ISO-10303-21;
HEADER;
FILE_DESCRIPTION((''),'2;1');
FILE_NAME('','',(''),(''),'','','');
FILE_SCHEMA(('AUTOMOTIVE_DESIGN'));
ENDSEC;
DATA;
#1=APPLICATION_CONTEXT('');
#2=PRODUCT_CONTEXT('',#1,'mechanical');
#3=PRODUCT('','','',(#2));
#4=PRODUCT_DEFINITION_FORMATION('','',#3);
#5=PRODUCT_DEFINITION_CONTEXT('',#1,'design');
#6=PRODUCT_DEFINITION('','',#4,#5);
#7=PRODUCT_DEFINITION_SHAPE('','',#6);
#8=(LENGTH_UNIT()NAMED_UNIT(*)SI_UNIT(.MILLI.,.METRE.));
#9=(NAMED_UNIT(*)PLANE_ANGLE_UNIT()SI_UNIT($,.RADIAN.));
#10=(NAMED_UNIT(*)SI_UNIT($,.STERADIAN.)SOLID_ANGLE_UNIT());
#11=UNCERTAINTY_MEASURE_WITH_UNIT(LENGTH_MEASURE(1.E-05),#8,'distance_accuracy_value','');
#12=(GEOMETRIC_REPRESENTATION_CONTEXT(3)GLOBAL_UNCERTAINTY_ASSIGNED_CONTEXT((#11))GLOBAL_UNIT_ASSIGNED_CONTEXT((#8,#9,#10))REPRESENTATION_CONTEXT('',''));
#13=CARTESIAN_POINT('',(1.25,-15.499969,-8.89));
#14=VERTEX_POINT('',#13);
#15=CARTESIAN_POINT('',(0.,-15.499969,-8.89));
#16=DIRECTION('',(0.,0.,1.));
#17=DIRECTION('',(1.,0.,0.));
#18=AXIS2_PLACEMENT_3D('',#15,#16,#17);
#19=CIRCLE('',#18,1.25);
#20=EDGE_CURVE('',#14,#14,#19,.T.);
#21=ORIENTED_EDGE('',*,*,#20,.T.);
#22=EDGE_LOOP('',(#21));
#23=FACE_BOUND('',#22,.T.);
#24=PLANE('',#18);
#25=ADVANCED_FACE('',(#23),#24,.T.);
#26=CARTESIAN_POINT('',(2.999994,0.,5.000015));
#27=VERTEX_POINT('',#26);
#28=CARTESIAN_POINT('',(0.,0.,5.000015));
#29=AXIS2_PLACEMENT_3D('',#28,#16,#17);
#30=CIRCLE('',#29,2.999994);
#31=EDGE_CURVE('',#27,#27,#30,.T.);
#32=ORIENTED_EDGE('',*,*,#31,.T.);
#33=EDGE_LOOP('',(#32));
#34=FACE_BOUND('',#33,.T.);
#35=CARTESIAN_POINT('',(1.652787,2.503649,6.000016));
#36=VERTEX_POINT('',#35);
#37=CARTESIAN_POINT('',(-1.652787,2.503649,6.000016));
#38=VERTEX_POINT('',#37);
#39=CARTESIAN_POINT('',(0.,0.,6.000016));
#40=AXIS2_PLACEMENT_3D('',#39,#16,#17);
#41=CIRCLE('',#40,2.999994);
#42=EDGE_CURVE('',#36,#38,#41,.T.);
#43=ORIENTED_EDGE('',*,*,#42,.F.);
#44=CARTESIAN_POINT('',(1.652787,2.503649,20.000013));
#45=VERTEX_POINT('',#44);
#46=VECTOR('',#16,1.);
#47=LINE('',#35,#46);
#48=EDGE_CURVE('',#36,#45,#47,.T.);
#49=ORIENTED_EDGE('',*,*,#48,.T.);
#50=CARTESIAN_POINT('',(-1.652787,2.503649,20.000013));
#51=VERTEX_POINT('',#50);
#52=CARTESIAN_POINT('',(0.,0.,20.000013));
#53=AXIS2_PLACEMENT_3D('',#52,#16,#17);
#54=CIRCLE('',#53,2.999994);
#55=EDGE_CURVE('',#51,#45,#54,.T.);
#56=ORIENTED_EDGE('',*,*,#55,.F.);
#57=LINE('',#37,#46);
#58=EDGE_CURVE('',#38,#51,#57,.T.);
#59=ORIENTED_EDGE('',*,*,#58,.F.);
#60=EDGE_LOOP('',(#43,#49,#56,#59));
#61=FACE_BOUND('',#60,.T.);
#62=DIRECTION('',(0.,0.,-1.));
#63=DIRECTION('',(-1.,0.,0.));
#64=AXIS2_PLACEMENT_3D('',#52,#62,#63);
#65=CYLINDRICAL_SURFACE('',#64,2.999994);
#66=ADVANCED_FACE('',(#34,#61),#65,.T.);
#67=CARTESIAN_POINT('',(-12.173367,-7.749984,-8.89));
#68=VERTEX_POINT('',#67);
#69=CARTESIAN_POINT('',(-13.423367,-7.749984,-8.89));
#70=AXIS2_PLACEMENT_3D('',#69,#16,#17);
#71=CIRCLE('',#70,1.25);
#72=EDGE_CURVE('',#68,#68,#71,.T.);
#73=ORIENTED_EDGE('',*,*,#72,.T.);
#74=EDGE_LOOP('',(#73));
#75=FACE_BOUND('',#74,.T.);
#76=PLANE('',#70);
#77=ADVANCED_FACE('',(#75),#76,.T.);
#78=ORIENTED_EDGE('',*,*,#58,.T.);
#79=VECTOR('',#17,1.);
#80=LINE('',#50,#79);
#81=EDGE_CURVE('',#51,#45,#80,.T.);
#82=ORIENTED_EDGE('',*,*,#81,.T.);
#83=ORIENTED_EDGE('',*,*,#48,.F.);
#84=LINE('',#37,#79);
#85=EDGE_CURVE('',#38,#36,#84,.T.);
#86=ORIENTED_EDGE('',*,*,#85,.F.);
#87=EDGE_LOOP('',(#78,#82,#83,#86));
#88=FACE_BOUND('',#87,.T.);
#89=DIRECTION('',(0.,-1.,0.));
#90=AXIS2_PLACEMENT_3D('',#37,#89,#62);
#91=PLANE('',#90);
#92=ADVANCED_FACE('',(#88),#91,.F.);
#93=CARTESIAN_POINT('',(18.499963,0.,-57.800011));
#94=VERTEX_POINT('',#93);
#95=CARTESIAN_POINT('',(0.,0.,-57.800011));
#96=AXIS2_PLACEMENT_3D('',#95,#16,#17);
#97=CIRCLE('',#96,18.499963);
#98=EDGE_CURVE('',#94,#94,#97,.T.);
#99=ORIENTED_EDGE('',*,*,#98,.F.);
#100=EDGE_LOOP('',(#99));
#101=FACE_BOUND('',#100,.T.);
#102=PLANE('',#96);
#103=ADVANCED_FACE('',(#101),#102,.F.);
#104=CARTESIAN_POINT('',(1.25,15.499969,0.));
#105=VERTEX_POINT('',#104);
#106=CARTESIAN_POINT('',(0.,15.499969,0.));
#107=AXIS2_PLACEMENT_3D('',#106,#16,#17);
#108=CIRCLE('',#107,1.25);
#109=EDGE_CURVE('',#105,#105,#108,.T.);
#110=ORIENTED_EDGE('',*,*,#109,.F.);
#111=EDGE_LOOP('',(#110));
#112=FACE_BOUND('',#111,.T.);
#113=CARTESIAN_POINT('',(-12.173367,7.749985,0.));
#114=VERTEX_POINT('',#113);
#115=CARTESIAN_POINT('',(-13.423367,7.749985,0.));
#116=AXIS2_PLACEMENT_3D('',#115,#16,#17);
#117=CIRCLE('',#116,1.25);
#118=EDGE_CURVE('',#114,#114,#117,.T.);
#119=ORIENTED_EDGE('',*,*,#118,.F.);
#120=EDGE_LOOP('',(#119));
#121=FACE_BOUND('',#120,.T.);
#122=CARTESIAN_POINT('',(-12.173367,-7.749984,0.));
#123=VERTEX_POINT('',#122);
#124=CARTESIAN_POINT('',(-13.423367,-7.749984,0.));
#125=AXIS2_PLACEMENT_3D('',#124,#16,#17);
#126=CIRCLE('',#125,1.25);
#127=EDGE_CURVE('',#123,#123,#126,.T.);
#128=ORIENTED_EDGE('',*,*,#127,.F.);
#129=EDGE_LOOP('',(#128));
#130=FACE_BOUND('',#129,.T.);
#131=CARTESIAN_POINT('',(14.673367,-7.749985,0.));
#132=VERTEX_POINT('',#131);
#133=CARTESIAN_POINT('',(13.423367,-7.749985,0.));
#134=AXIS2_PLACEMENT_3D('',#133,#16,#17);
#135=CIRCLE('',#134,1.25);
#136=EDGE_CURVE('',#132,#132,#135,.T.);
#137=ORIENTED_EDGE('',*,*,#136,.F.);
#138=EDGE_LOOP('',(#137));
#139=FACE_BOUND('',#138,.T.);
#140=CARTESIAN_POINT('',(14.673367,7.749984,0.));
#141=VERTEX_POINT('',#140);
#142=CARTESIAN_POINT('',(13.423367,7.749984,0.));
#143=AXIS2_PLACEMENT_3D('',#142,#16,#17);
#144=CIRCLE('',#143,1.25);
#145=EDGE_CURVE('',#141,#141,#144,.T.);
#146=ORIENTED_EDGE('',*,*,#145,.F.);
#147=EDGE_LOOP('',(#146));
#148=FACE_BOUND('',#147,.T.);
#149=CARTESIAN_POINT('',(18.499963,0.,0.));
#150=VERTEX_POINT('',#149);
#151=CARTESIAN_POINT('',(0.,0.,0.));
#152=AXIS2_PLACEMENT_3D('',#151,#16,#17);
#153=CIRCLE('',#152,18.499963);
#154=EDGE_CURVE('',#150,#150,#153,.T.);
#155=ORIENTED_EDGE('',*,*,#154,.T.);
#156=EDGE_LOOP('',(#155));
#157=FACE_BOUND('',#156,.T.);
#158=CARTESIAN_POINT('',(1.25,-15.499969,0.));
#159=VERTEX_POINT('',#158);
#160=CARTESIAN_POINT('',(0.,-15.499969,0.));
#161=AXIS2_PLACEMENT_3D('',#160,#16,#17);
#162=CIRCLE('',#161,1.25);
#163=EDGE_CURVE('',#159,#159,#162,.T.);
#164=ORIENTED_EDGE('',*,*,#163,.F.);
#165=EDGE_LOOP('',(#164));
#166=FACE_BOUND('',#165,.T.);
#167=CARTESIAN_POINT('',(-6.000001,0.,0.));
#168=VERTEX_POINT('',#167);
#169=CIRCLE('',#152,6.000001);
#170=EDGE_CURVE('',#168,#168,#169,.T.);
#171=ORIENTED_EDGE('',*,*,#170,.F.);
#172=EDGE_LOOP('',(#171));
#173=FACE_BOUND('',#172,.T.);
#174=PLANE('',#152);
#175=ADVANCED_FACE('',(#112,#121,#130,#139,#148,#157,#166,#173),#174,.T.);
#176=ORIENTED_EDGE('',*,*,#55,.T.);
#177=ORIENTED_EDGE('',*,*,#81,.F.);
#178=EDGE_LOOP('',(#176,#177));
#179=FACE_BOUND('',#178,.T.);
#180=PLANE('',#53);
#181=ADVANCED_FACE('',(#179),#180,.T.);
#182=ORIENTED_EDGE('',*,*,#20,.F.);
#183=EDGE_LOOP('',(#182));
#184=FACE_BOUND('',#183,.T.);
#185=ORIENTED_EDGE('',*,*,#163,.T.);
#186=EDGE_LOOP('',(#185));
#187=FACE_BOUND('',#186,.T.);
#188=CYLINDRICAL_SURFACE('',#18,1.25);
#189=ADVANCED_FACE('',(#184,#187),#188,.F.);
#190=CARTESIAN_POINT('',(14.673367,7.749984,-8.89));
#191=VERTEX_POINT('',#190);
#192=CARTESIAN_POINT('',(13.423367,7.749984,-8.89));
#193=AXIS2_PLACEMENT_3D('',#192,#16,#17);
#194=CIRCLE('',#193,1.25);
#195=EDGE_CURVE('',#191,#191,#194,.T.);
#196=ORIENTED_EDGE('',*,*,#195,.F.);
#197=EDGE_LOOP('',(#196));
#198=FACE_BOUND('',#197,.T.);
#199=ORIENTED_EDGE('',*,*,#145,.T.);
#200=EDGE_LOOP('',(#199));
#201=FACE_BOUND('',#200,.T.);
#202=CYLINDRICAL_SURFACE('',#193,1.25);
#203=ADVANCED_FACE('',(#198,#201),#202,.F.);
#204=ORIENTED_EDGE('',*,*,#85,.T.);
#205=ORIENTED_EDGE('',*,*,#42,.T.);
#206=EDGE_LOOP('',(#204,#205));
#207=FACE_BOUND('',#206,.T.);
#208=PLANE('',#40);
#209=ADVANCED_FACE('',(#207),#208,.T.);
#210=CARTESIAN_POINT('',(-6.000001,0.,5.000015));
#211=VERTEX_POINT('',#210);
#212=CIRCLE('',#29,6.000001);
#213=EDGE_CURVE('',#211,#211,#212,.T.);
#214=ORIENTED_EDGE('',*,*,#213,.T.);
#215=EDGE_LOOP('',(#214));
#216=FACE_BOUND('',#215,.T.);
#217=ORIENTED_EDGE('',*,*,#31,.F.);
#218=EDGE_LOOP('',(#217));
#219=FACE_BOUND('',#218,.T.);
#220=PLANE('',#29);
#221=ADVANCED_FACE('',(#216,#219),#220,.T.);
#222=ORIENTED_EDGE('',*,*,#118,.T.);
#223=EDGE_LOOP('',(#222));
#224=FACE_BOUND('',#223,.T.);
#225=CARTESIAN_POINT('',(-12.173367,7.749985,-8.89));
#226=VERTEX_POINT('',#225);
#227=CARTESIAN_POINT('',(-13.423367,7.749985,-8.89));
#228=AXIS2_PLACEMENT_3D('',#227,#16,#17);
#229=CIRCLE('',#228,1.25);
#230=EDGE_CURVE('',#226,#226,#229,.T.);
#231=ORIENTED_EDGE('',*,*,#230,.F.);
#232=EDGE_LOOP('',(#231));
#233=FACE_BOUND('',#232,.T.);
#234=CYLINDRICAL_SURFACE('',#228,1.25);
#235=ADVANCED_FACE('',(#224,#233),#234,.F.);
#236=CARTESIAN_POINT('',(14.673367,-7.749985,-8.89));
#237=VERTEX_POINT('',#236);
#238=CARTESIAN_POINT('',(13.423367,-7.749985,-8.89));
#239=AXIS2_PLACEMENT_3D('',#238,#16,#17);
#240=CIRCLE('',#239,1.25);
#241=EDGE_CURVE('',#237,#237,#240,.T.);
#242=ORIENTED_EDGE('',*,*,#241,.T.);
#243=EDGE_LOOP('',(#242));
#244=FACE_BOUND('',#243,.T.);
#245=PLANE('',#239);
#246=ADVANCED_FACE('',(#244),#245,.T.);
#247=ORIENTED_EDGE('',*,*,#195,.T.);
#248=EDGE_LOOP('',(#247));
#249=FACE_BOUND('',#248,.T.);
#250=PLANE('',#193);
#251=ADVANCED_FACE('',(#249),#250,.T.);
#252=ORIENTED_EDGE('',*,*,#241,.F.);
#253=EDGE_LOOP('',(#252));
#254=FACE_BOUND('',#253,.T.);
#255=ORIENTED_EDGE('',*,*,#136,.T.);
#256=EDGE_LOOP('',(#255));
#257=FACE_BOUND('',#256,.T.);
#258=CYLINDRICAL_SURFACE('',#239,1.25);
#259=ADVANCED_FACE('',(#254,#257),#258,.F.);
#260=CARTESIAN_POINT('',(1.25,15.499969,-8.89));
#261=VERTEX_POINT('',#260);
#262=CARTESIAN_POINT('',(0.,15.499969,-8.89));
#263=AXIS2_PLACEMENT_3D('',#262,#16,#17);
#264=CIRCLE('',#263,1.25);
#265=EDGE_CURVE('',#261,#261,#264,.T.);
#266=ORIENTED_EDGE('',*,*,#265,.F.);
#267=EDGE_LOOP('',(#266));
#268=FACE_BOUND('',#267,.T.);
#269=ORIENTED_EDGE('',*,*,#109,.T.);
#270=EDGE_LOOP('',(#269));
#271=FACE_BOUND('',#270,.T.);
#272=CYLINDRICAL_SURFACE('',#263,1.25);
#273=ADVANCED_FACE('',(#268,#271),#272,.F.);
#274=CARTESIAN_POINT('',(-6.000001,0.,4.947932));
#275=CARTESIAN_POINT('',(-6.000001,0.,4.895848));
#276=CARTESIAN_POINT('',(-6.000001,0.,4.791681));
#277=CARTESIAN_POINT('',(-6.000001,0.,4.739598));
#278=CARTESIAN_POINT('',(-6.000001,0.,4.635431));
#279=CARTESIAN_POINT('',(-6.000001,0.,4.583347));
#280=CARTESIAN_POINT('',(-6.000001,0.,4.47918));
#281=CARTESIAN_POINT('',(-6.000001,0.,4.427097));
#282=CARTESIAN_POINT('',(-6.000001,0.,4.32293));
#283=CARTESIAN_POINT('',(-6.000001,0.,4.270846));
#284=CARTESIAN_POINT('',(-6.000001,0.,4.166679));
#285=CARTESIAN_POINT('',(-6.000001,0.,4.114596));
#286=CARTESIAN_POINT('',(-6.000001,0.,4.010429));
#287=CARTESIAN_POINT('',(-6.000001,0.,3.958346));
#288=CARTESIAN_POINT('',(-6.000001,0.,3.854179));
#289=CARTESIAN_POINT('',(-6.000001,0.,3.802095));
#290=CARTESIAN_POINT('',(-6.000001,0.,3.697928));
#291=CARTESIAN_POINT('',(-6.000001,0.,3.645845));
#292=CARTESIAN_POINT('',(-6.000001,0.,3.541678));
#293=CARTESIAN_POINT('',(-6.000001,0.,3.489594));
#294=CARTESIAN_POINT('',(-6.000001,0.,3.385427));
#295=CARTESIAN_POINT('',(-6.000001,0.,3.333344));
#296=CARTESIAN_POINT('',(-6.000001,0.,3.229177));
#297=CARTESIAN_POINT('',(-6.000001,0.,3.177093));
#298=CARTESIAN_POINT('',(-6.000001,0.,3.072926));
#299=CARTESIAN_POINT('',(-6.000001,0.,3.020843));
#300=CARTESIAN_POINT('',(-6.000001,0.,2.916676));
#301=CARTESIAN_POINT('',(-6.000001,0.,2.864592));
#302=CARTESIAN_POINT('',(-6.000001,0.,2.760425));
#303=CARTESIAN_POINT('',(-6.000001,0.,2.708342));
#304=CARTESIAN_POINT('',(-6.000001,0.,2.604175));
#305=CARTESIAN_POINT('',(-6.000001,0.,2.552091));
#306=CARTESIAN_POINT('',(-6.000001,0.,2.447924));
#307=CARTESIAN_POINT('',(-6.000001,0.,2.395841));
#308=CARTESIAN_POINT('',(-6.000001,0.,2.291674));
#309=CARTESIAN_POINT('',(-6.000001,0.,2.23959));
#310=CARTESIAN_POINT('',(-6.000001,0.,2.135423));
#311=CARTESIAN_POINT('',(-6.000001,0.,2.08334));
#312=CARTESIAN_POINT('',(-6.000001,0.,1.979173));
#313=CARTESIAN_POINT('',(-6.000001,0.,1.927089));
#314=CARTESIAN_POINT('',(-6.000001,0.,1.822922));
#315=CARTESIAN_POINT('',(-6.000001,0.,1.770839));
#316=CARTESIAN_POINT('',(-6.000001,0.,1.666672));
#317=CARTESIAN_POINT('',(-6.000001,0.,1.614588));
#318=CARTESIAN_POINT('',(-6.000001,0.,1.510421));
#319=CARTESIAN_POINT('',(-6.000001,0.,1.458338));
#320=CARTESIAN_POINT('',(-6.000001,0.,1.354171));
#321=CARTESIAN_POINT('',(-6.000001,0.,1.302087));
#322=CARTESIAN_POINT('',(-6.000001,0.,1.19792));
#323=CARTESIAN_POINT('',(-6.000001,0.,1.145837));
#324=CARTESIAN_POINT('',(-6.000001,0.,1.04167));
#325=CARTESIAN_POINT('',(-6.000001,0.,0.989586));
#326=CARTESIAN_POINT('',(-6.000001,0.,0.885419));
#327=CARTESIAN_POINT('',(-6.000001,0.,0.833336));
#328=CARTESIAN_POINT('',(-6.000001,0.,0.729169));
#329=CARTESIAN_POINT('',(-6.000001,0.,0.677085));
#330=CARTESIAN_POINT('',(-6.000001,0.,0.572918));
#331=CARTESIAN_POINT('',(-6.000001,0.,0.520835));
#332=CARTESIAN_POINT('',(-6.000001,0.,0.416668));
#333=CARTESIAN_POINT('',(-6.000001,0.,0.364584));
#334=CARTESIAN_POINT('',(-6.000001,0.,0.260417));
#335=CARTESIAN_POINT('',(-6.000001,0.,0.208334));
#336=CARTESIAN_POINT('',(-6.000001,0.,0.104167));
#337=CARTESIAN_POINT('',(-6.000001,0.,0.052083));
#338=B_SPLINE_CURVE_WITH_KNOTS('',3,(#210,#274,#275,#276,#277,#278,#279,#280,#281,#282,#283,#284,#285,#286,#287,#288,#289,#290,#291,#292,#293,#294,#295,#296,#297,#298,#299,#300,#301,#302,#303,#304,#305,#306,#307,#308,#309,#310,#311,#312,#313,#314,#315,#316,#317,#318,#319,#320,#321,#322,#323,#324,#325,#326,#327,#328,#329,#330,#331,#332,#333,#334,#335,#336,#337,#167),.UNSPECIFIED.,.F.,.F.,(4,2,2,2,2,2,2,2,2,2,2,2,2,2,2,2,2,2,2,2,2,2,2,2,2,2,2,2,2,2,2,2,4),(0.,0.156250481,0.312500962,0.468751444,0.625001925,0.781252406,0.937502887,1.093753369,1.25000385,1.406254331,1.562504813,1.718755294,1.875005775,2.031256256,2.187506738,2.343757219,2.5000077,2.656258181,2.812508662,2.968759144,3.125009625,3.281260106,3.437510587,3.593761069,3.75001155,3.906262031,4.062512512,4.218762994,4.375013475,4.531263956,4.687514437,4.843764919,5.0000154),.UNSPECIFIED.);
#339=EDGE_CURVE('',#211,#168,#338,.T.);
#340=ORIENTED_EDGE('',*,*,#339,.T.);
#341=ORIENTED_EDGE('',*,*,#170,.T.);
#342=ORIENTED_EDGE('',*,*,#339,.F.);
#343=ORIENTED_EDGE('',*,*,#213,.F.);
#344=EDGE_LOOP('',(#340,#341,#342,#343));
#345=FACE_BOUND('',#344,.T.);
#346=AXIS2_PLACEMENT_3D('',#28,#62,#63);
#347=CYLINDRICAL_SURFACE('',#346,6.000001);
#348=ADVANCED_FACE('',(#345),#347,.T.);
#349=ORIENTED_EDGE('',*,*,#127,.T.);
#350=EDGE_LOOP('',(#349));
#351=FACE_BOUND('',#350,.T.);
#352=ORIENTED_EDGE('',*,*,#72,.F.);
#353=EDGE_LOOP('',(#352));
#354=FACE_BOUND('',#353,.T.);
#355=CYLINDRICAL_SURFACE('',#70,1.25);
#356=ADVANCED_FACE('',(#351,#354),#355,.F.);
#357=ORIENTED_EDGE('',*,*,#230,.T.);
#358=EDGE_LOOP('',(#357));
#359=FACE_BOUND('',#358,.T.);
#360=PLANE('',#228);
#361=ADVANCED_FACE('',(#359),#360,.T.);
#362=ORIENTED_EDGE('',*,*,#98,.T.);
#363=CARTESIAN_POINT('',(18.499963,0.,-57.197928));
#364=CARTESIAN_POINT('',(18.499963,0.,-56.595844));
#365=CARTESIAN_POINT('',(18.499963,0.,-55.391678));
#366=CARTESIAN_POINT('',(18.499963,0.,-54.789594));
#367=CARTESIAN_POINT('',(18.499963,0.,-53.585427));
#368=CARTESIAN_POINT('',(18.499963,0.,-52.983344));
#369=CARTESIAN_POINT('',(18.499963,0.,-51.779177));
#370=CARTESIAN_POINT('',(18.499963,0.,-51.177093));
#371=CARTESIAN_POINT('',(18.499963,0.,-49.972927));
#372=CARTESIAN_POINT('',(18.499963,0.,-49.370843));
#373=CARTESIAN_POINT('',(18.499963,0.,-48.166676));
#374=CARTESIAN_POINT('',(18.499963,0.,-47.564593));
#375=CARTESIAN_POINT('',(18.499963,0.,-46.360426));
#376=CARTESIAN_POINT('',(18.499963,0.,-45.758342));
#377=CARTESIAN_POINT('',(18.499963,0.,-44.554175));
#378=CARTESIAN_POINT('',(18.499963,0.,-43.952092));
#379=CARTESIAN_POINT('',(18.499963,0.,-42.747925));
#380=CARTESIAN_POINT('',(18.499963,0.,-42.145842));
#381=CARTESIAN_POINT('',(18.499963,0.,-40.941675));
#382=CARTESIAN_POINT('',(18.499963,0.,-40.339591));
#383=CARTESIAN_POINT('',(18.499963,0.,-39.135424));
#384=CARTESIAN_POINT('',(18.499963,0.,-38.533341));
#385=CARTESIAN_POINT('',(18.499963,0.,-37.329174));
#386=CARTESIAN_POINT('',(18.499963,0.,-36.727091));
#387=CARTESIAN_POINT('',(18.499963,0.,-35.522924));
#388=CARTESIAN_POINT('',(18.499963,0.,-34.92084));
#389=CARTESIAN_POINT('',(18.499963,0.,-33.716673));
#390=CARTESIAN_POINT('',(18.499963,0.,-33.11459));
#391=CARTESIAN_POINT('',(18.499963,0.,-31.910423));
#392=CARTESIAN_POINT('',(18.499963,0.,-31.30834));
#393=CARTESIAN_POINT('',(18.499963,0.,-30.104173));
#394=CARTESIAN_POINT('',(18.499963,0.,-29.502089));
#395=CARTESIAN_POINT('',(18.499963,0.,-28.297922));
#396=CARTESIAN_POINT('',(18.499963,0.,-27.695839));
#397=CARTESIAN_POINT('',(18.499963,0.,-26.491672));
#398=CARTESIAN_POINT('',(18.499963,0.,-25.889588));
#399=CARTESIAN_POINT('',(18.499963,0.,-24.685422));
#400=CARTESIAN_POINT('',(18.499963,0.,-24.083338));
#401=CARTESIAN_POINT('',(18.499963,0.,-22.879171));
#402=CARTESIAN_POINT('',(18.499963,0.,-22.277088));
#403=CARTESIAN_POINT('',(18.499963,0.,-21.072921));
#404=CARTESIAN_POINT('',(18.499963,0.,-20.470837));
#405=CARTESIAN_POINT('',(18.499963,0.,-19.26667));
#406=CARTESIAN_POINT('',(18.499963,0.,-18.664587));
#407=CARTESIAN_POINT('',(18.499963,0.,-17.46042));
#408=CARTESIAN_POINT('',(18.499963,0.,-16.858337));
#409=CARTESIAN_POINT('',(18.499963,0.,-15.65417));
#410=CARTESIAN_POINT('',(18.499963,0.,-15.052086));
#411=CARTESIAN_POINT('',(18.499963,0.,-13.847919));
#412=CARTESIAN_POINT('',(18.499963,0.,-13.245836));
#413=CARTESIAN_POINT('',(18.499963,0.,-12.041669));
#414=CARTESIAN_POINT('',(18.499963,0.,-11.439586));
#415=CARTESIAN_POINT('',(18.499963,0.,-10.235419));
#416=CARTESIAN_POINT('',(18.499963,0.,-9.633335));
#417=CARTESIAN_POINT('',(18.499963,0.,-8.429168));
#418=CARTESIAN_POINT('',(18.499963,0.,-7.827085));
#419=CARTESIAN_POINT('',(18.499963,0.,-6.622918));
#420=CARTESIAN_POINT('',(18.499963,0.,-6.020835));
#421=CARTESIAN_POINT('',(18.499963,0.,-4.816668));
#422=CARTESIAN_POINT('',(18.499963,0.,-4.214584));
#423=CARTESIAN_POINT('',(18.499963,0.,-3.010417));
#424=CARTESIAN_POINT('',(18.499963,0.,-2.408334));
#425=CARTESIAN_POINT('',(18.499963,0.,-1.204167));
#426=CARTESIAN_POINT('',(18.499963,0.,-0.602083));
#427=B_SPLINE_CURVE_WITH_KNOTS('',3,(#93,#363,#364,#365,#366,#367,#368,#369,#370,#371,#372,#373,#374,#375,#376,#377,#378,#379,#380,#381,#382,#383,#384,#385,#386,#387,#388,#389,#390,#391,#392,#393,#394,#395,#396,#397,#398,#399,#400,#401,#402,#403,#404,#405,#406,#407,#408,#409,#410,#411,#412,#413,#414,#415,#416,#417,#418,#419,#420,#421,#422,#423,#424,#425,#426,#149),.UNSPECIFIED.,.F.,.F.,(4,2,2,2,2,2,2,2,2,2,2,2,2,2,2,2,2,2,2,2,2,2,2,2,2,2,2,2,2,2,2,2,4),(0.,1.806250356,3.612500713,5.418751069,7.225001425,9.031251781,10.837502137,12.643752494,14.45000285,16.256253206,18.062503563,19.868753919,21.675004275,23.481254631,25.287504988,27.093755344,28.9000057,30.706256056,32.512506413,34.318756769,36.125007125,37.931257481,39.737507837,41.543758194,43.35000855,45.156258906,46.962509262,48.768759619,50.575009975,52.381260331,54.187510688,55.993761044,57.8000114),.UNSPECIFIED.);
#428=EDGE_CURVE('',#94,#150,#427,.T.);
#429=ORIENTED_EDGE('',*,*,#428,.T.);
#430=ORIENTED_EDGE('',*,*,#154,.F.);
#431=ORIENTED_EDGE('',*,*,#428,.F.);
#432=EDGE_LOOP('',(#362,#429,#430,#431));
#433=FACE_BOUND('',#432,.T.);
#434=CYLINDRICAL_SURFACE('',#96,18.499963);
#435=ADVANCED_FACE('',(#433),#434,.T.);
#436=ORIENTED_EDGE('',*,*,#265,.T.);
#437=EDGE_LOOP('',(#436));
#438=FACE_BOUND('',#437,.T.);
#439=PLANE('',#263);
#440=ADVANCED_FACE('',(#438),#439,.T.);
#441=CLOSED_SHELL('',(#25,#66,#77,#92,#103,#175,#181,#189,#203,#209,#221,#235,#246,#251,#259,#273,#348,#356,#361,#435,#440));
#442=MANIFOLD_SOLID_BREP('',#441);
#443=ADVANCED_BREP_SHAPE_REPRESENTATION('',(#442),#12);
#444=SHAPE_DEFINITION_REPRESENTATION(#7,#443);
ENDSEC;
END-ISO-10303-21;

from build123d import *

# Parameters (mm, degrees)
SKETCH3_R           = 18.499963
BOSS_EXTRUDE1_DEPTH = 57.8000114
SKETCH4_R           = 2.999994
BOSS_EXTRUDE2_DEPTH = 20.00001334
SKETCH6_R           = 6.0000007
BOSS_EXTRUDE3_DEPTH = 5.0000154
SKETCH8_R           = 1.25000004
CUT_EXTRUDE3_DEPTH  = 8.89
SKETCH7_W           = 3.305573972
SKETCH7_H           = 0.499999
CUT_EXTRUDE4_DEPTH  = 13.9999974


with BuildPart() as part:
    # Sketch3 → Boss-Extrude1 (new body)
    with BuildSketch(Plane.XY):
        Circle(SKETCH3_R)
    extrude(amount=-BOSS_EXTRUDE1_DEPTH)

    # Sketch4 → Boss-Extrude2 (add)
    with BuildSketch(Plane.XY):
        Circle(SKETCH4_R)
    extrude(amount=BOSS_EXTRUDE2_DEPTH)

    # Sketch6 → Boss-Extrude3 (add)
    with BuildSketch(Plane.XY):
        with Locations(Location((0, 0, 0), (0, 0, 180))):
            Circle(SKETCH6_R)
    extrude(amount=BOSS_EXTRUDE3_DEPTH)

    # Sketch8 → Cut-Extrude3 (cut)
    with BuildSketch(Plane.XY):
        with Locations((0, 15.499969)):
            Circle(SKETCH8_R)
        with Locations((13.423366912, 7.7499845)):
            Circle(SKETCH8_R)
        with Locations((13.423366912, -7.7499845)):
            Circle(SKETCH8_R)
        with Locations((0, -15.499969)):
            Circle(SKETCH8_R)
        with Locations((-13.423366912, -7.7499845)):
            Circle(SKETCH8_R)
        with Locations((-13.423366912, 7.7499845)):
            Circle(SKETCH8_R)
    extrude(amount=-CUT_EXTRUDE3_DEPTH, mode=Mode.SUBTRACT)

    # Sketch7 → Cut-Extrude4 (cut)
    with BuildSketch(Plane.XY.offset(20.00001334)):
        with Locations((0, 2.753648673)):
            Rectangle(SKETCH7_W, SKETCH7_H)
    extrude(amount=-CUT_EXTRUDE4_DEPTH, mode=Mode.SUBTRACT)


solid = part.part
